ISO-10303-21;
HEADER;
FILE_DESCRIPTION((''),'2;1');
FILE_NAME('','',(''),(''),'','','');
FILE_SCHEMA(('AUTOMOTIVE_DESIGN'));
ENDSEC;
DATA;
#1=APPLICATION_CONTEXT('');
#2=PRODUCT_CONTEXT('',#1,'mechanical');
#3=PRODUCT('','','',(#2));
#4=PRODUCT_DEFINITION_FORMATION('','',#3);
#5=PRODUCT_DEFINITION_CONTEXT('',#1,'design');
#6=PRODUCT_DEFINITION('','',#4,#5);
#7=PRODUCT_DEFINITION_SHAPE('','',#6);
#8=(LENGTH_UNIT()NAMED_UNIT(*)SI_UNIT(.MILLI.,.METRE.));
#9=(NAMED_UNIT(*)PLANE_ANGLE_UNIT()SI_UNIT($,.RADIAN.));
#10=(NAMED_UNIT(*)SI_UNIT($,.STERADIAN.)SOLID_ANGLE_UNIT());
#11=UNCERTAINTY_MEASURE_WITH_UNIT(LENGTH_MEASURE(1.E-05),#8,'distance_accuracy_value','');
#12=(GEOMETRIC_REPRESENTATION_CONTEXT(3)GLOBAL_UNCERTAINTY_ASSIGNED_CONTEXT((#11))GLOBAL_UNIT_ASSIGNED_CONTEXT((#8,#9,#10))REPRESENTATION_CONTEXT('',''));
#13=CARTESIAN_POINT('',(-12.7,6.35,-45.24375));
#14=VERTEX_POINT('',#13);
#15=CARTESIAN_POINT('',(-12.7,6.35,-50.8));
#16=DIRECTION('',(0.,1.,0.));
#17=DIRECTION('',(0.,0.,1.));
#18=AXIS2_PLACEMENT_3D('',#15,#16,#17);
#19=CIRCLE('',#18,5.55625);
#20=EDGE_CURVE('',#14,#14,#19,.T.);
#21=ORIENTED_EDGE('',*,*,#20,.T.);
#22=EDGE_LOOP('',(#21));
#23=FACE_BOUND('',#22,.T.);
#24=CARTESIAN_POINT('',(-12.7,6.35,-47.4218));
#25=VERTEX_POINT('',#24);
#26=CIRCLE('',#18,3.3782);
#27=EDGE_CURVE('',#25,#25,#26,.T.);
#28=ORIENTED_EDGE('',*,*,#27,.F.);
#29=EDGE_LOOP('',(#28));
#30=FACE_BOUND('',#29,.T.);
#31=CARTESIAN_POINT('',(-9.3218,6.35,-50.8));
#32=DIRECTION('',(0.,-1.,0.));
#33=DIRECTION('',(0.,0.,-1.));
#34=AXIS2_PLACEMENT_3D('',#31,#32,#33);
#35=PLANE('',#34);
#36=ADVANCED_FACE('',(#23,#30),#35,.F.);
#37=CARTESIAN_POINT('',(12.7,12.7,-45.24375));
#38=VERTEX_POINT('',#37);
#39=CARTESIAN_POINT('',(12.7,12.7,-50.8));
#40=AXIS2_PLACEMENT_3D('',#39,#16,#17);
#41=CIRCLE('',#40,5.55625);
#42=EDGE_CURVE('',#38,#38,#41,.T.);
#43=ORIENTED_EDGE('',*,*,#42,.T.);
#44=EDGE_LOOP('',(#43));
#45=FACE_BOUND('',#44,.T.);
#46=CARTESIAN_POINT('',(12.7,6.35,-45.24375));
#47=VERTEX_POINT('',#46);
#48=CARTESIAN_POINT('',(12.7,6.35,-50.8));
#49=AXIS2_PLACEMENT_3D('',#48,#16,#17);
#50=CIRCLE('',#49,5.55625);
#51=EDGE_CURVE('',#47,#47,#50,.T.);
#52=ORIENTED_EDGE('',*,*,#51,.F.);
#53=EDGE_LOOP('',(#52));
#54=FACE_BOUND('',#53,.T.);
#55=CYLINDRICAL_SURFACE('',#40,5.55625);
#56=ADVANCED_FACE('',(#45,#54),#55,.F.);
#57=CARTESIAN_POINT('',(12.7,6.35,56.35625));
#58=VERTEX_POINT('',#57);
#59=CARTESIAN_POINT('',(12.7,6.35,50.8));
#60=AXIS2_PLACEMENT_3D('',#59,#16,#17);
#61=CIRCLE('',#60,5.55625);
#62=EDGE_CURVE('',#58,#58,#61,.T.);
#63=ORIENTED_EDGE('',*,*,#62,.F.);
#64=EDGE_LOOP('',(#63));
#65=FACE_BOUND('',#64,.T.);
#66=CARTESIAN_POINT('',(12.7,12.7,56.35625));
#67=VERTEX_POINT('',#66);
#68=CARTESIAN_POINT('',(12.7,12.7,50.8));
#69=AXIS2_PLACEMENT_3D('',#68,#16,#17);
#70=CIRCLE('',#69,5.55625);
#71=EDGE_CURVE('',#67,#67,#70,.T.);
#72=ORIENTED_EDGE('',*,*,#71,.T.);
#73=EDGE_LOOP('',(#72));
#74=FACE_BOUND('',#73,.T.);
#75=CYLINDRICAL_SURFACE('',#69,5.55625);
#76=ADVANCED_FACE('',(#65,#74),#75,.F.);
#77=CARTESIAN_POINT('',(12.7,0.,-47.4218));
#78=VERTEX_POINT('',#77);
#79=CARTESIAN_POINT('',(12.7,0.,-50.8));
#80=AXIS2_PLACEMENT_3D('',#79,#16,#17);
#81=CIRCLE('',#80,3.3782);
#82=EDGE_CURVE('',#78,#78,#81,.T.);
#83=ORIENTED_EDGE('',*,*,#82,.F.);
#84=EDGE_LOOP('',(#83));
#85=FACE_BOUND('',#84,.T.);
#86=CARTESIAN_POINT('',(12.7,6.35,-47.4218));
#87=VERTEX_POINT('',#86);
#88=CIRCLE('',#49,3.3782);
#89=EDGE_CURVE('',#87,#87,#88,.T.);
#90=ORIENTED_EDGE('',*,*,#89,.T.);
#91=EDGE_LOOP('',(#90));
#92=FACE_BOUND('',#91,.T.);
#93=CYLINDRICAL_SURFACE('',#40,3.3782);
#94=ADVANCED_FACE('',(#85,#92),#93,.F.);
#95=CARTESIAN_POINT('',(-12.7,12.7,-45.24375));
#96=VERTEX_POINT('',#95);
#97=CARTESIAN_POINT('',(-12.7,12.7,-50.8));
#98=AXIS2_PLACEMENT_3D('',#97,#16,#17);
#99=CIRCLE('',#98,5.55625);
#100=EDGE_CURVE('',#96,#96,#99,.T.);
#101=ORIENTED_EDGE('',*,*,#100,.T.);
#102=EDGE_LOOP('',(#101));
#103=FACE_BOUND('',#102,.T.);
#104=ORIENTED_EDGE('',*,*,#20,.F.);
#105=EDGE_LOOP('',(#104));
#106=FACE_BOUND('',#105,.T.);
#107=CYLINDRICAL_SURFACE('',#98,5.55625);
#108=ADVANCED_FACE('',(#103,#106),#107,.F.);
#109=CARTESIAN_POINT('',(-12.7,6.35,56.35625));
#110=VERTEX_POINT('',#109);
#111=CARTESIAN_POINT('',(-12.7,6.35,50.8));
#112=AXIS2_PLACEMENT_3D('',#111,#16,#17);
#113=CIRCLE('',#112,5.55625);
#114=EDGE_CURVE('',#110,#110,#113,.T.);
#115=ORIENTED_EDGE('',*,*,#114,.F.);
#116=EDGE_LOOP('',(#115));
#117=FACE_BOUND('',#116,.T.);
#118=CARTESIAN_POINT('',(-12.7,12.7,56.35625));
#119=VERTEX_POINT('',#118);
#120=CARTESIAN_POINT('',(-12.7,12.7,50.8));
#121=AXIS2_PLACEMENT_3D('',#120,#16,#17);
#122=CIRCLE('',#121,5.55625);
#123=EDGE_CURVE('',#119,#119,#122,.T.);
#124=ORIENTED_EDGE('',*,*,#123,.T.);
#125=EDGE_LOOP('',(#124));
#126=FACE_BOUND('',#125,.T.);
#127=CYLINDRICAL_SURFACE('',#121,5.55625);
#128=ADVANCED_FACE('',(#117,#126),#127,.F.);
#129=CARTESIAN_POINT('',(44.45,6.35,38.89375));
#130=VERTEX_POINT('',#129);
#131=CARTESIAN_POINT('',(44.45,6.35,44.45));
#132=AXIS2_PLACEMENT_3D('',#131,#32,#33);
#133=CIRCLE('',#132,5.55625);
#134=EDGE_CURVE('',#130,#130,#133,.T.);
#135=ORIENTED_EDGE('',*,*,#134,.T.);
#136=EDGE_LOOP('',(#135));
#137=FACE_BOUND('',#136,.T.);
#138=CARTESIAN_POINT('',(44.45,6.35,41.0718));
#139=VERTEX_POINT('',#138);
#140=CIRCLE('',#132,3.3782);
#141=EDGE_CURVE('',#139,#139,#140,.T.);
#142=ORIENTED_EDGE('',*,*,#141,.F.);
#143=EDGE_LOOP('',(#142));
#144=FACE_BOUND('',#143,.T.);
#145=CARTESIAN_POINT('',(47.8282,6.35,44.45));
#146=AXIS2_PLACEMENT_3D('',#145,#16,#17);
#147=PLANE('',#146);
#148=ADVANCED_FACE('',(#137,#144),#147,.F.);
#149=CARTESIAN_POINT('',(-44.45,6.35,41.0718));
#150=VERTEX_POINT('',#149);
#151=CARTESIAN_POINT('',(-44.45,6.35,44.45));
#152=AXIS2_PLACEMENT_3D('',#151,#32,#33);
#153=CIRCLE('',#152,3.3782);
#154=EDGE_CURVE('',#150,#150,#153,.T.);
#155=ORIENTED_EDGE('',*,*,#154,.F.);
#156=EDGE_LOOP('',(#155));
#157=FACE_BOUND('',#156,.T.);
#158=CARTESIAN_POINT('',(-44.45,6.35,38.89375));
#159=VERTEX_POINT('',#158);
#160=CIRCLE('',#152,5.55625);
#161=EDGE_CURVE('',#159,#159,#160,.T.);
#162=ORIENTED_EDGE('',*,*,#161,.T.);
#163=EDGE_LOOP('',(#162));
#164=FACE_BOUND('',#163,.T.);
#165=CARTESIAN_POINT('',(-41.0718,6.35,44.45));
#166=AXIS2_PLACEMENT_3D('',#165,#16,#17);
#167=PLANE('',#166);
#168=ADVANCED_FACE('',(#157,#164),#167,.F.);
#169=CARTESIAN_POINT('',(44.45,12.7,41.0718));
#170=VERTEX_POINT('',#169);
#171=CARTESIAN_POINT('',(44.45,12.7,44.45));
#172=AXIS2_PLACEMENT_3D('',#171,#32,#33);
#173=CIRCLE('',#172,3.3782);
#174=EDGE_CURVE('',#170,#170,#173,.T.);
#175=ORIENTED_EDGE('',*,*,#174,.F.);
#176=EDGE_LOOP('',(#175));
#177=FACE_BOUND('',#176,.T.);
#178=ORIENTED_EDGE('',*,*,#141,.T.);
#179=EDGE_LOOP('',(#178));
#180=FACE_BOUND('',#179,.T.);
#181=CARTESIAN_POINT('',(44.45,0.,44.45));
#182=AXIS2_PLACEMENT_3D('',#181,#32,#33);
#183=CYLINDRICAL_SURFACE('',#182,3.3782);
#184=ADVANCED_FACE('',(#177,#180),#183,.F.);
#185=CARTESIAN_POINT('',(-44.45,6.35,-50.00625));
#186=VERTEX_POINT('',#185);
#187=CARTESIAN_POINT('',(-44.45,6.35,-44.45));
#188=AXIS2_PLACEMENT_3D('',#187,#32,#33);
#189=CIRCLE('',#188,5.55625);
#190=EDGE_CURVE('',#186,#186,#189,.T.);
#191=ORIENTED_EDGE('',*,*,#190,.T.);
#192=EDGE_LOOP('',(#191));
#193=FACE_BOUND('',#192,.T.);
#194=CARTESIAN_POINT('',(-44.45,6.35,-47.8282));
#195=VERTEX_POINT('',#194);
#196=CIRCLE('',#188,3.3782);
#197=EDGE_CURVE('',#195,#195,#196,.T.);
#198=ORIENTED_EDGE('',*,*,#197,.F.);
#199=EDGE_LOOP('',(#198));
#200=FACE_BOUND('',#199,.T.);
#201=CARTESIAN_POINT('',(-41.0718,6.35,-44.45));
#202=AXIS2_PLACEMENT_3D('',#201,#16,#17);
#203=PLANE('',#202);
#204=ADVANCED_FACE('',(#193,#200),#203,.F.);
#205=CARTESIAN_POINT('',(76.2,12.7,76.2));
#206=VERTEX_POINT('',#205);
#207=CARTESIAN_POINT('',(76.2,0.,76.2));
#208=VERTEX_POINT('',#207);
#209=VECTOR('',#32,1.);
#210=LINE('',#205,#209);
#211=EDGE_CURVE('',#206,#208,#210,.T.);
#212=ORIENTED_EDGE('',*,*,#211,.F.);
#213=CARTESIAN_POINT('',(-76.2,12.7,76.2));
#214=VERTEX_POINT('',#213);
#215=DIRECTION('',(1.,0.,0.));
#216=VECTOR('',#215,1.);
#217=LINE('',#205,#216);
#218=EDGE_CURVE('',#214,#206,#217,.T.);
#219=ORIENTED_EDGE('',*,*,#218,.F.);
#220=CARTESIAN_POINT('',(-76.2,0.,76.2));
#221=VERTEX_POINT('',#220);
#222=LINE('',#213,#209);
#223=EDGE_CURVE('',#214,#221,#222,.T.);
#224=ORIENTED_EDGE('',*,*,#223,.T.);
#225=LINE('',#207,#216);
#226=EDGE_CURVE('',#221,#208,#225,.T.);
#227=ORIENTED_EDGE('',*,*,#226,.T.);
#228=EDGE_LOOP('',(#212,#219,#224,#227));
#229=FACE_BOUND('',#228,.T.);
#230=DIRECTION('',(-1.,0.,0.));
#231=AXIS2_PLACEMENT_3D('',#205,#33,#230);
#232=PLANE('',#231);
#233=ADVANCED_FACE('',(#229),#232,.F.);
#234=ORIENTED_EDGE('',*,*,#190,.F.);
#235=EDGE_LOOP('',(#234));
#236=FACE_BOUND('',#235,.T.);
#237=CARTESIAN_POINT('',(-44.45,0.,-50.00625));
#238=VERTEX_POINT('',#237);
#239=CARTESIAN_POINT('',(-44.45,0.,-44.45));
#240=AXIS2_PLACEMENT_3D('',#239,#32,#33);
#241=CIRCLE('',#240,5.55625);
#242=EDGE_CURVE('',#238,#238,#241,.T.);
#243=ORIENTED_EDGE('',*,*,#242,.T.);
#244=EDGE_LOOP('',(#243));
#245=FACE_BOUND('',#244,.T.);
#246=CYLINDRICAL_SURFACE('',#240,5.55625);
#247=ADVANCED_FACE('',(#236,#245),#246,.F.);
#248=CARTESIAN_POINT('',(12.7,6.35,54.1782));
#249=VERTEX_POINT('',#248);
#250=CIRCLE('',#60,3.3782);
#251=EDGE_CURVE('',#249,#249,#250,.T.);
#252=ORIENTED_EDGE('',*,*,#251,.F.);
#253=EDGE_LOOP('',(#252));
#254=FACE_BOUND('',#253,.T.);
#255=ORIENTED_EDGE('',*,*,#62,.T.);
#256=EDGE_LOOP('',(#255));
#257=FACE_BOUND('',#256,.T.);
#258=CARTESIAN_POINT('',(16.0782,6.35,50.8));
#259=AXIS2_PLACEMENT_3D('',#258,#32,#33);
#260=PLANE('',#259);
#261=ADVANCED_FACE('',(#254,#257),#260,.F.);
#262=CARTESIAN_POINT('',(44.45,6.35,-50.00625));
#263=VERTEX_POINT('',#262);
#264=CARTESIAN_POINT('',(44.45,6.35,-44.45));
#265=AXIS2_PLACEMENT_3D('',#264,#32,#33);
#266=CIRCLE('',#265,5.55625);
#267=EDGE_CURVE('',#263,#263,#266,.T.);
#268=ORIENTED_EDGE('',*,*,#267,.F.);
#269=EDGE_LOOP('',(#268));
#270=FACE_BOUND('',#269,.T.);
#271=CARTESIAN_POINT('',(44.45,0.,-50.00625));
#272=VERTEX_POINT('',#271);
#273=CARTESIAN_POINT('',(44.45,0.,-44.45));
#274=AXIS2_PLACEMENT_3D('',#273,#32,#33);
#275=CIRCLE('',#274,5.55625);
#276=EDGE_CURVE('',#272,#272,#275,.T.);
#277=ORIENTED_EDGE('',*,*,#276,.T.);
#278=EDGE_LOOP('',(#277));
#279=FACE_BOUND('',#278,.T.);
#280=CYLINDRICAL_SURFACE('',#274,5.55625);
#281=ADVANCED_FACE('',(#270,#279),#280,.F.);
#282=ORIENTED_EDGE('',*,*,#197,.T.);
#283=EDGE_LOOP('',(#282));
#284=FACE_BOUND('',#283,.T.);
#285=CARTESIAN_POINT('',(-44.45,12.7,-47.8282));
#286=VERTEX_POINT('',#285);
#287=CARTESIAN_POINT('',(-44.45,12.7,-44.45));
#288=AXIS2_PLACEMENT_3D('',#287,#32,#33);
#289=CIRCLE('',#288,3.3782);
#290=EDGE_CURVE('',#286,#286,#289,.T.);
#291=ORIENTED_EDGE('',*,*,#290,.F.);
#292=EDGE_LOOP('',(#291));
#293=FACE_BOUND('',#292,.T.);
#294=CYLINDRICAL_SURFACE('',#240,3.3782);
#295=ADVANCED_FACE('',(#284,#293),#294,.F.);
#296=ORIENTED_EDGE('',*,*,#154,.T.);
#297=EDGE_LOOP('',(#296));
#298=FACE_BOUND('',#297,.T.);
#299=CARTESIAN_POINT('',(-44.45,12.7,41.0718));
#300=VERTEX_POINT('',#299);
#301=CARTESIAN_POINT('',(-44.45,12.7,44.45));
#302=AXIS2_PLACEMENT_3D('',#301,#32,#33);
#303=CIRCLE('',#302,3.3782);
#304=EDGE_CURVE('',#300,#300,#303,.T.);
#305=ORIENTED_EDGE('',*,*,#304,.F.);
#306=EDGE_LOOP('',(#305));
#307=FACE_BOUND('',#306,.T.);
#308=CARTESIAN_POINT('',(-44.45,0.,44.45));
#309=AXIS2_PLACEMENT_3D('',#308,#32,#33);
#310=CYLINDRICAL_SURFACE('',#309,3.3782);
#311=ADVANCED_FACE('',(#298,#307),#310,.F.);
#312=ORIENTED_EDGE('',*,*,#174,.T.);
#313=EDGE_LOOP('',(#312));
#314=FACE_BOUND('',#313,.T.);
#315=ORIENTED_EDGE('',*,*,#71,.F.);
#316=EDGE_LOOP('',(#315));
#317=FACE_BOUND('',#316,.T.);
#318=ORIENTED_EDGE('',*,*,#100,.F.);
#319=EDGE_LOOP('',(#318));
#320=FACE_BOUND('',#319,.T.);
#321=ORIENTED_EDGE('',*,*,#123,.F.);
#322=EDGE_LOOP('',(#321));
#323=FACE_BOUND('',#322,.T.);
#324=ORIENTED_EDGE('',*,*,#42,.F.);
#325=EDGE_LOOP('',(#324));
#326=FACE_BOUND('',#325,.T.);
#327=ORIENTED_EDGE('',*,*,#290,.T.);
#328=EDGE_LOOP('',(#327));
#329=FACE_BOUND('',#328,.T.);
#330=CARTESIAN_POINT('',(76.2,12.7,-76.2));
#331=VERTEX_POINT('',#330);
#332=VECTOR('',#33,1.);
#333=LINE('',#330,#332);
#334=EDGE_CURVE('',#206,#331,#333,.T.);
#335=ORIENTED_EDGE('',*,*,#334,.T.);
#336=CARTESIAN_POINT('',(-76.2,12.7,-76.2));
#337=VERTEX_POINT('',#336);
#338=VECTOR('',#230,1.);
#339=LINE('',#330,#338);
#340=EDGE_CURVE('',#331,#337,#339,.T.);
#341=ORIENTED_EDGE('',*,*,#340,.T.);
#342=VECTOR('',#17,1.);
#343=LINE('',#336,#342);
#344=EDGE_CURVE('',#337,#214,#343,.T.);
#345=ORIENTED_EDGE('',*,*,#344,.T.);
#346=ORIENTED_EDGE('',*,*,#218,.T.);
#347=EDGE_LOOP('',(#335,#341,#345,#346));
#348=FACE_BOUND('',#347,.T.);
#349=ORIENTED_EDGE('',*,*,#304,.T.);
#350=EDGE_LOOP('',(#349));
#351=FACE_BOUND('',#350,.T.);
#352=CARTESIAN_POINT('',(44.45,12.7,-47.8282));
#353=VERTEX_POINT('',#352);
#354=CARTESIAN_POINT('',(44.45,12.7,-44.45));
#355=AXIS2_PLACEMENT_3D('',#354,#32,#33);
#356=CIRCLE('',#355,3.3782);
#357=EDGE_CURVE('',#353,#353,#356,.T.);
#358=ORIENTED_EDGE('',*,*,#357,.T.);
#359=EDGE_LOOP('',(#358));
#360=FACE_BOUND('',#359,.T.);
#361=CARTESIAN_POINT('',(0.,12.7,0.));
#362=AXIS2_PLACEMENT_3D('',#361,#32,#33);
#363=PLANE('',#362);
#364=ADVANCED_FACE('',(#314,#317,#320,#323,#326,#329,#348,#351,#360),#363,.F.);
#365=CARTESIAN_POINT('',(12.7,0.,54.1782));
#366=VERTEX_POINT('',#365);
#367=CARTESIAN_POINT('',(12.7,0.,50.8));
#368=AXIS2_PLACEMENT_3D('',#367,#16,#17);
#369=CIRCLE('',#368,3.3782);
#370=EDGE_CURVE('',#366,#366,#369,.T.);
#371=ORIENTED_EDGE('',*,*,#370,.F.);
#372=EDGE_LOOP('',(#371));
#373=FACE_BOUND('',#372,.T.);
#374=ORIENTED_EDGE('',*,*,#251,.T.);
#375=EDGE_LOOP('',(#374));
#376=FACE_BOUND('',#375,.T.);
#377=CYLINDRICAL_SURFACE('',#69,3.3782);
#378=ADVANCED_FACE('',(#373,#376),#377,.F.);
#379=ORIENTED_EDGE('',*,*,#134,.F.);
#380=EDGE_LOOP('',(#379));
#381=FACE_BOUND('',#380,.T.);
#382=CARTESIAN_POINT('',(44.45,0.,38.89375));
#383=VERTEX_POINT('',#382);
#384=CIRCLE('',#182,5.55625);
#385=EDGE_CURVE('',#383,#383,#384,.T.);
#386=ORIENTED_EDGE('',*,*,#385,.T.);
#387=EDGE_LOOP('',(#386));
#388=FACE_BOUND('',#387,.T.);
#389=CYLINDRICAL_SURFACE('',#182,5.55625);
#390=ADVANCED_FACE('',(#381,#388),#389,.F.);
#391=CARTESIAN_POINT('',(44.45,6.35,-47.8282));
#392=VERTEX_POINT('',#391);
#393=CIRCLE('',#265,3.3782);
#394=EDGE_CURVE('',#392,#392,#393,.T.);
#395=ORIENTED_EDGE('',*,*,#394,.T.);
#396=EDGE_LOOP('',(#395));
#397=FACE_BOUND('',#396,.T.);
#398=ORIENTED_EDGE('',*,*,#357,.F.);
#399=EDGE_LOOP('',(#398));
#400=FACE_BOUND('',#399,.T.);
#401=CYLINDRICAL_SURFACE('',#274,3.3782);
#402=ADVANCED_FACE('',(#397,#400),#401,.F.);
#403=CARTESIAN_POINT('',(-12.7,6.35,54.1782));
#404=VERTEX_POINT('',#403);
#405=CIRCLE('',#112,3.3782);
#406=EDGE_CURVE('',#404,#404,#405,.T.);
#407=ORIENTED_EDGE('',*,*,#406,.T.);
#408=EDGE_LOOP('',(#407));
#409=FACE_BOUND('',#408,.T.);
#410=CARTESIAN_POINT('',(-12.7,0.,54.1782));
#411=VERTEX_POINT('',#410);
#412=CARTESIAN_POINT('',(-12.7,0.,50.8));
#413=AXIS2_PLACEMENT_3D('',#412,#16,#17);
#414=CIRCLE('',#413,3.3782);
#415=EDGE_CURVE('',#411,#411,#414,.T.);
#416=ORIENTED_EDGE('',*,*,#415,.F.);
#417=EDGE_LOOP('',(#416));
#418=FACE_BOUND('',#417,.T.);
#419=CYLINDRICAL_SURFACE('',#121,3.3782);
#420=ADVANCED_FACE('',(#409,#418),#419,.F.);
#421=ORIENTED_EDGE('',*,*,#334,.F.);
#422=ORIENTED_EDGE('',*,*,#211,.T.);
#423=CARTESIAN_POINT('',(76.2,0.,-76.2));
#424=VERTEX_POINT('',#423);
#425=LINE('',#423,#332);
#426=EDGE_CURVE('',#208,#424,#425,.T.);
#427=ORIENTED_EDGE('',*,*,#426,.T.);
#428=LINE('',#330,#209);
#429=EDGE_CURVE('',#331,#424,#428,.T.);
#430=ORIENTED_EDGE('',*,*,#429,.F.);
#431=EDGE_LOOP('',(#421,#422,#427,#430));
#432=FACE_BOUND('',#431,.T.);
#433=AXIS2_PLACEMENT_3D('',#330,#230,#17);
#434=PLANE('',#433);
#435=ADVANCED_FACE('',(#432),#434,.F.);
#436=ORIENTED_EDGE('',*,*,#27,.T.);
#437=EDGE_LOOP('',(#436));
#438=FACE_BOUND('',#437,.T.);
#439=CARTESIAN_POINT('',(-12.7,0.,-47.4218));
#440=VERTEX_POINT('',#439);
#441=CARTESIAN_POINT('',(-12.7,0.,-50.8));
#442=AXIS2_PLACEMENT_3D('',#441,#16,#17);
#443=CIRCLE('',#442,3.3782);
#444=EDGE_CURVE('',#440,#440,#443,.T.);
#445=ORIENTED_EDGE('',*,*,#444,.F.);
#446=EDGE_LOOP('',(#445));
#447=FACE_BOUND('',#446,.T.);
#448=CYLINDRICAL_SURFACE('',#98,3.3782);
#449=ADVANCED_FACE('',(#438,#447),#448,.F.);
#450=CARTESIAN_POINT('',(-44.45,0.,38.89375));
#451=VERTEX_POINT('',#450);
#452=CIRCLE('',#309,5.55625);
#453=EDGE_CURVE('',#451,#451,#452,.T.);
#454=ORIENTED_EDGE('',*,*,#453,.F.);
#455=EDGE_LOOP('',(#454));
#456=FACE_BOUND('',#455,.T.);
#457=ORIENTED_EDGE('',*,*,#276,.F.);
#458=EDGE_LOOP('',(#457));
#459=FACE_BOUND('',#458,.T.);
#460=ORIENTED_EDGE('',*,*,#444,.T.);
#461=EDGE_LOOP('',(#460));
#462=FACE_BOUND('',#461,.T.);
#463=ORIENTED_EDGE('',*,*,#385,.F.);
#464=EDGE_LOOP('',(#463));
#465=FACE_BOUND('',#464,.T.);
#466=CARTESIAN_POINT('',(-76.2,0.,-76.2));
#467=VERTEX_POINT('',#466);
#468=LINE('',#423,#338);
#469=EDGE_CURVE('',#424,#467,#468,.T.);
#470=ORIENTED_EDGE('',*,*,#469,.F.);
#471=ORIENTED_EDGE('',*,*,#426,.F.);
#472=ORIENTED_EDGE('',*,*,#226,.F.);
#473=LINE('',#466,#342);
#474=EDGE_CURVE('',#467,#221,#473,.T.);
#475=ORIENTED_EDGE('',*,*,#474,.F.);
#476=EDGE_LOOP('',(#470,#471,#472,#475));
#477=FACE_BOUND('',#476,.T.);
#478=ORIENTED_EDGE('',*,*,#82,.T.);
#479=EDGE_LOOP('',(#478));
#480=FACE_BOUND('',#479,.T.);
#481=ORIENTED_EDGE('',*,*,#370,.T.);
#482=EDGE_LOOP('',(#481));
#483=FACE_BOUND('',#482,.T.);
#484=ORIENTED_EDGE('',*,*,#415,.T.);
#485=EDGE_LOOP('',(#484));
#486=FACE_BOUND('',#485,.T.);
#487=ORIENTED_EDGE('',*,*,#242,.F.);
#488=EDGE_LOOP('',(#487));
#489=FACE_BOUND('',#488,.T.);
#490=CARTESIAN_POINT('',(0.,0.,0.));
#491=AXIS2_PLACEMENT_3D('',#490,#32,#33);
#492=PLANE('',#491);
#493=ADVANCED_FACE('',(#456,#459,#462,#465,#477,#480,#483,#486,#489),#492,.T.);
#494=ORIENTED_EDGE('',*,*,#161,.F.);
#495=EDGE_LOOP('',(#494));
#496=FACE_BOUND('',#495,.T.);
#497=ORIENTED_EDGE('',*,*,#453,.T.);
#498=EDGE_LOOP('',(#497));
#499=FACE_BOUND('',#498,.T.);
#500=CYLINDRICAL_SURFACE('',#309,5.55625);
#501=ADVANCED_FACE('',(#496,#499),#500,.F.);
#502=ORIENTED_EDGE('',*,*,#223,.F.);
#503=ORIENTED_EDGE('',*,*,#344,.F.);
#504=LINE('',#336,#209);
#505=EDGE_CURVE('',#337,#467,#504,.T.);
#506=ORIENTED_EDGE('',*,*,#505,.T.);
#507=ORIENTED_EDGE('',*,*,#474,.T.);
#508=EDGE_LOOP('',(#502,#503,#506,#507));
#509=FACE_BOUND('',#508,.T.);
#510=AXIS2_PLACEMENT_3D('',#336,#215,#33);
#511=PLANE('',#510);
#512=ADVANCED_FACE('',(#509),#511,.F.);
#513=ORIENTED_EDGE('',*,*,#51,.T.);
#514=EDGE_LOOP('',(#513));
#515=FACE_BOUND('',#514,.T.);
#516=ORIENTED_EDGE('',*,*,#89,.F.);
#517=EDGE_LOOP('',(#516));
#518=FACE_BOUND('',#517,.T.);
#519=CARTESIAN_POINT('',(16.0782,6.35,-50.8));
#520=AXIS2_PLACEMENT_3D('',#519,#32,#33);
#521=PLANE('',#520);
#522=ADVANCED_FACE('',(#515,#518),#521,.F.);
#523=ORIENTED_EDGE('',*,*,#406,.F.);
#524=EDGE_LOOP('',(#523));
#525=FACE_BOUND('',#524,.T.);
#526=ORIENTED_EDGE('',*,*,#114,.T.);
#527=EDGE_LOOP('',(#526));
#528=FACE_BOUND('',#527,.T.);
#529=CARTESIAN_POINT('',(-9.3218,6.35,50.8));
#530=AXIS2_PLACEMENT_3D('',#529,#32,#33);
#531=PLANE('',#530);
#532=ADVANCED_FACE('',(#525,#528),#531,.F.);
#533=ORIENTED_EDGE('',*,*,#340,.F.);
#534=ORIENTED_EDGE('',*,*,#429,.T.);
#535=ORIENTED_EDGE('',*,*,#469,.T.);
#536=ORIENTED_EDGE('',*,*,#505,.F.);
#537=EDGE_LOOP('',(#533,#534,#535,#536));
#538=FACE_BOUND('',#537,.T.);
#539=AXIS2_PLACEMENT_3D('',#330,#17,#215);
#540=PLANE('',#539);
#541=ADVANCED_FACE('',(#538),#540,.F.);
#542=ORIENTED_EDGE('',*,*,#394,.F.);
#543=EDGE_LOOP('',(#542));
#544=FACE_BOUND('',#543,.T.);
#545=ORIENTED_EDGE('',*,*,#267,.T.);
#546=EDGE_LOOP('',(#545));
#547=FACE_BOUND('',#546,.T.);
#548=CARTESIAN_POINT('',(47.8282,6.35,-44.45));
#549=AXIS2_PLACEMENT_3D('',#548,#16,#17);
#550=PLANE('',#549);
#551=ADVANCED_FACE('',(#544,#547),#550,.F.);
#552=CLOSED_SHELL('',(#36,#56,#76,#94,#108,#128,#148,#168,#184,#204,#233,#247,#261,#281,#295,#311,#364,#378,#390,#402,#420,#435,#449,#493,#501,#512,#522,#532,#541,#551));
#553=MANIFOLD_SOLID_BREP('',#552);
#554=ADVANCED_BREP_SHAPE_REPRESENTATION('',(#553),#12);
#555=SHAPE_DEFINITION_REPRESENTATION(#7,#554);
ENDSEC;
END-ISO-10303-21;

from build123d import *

# Parameters (mm, degrees)
SKETCH1_W                                        = 152.4
SKETCH1_H                                        = 152.4
BOSS_EXTRUDE1_DEPTH                              = 12.7
CBORE_FOR_1_4_SOCKET_HEAD_CAP_SCREW1_D           = 6.7564
CBORE_FOR_1_4_SOCKET_HEAD_CAP_SCREW1_CBORE_D     = 11.1125
CBORE_FOR_1_4_SOCKET_HEAD_CAP_SCREW1_CBORE_DEPTH = 6.35
CBORE_FOR_1_4_SOCKET_HEAD_CAP_SCREW2_D           = 6.7564
CBORE_FOR_1_4_SOCKET_HEAD_CAP_SCREW2_CBORE_D     = 11.1125
CBORE_FOR_1_4_SOCKET_HEAD_CAP_SCREW2_CBORE_DEPTH = 6.35


with BuildPart() as part:
    # Sketch1 → Boss-Extrude1 (new body)
    with BuildSketch(Plane(origin=(0, 0, 0), x_dir=(1, 0, 0), z_dir=(0, 1, 0))):
        Rectangle(SKETCH1_W, SKETCH1_H)
    extrude(amount=BOSS_EXTRUDE1_DEPTH)

    # CBORE for 1/4 Socket Head Cap Screw1 (through all)
    with Locations(Plane(origin=(0, 12.7, 0), x_dir=(1, 0, 0), z_dir=(0, 1, 0))):
        with Locations((-12.7, -50.8), (12.7, -50.8), (12.7, 50.8), (-12.7, 50.8)):
            CounterBoreHole(CBORE_FOR_1_4_SOCKET_HEAD_CAP_SCREW1_D / 2, CBORE_FOR_1_4_SOCKET_HEAD_CAP_SCREW1_CBORE_D / 2, CBORE_FOR_1_4_SOCKET_HEAD_CAP_SCREW1_CBORE_DEPTH)

    # CBORE for 1/4 Socket Head Cap Screw2 (through all)
    with Locations(Plane(origin=(0, 0, 0), x_dir=(-1, 0, 0), z_dir=(0, -1, 0))):
        with Locations((-44.45, -44.45), (-44.45, 44.45), (44.45, 44.45), (44.45, -44.45)):
            CounterBoreHole(CBORE_FOR_1_4_SOCKET_HEAD_CAP_SCREW2_D / 2, CBORE_FOR_1_4_SOCKET_HEAD_CAP_SCREW2_CBORE_D / 2, CBORE_FOR_1_4_SOCKET_HEAD_CAP_SCREW2_CBORE_DEPTH)


solid = part.part
